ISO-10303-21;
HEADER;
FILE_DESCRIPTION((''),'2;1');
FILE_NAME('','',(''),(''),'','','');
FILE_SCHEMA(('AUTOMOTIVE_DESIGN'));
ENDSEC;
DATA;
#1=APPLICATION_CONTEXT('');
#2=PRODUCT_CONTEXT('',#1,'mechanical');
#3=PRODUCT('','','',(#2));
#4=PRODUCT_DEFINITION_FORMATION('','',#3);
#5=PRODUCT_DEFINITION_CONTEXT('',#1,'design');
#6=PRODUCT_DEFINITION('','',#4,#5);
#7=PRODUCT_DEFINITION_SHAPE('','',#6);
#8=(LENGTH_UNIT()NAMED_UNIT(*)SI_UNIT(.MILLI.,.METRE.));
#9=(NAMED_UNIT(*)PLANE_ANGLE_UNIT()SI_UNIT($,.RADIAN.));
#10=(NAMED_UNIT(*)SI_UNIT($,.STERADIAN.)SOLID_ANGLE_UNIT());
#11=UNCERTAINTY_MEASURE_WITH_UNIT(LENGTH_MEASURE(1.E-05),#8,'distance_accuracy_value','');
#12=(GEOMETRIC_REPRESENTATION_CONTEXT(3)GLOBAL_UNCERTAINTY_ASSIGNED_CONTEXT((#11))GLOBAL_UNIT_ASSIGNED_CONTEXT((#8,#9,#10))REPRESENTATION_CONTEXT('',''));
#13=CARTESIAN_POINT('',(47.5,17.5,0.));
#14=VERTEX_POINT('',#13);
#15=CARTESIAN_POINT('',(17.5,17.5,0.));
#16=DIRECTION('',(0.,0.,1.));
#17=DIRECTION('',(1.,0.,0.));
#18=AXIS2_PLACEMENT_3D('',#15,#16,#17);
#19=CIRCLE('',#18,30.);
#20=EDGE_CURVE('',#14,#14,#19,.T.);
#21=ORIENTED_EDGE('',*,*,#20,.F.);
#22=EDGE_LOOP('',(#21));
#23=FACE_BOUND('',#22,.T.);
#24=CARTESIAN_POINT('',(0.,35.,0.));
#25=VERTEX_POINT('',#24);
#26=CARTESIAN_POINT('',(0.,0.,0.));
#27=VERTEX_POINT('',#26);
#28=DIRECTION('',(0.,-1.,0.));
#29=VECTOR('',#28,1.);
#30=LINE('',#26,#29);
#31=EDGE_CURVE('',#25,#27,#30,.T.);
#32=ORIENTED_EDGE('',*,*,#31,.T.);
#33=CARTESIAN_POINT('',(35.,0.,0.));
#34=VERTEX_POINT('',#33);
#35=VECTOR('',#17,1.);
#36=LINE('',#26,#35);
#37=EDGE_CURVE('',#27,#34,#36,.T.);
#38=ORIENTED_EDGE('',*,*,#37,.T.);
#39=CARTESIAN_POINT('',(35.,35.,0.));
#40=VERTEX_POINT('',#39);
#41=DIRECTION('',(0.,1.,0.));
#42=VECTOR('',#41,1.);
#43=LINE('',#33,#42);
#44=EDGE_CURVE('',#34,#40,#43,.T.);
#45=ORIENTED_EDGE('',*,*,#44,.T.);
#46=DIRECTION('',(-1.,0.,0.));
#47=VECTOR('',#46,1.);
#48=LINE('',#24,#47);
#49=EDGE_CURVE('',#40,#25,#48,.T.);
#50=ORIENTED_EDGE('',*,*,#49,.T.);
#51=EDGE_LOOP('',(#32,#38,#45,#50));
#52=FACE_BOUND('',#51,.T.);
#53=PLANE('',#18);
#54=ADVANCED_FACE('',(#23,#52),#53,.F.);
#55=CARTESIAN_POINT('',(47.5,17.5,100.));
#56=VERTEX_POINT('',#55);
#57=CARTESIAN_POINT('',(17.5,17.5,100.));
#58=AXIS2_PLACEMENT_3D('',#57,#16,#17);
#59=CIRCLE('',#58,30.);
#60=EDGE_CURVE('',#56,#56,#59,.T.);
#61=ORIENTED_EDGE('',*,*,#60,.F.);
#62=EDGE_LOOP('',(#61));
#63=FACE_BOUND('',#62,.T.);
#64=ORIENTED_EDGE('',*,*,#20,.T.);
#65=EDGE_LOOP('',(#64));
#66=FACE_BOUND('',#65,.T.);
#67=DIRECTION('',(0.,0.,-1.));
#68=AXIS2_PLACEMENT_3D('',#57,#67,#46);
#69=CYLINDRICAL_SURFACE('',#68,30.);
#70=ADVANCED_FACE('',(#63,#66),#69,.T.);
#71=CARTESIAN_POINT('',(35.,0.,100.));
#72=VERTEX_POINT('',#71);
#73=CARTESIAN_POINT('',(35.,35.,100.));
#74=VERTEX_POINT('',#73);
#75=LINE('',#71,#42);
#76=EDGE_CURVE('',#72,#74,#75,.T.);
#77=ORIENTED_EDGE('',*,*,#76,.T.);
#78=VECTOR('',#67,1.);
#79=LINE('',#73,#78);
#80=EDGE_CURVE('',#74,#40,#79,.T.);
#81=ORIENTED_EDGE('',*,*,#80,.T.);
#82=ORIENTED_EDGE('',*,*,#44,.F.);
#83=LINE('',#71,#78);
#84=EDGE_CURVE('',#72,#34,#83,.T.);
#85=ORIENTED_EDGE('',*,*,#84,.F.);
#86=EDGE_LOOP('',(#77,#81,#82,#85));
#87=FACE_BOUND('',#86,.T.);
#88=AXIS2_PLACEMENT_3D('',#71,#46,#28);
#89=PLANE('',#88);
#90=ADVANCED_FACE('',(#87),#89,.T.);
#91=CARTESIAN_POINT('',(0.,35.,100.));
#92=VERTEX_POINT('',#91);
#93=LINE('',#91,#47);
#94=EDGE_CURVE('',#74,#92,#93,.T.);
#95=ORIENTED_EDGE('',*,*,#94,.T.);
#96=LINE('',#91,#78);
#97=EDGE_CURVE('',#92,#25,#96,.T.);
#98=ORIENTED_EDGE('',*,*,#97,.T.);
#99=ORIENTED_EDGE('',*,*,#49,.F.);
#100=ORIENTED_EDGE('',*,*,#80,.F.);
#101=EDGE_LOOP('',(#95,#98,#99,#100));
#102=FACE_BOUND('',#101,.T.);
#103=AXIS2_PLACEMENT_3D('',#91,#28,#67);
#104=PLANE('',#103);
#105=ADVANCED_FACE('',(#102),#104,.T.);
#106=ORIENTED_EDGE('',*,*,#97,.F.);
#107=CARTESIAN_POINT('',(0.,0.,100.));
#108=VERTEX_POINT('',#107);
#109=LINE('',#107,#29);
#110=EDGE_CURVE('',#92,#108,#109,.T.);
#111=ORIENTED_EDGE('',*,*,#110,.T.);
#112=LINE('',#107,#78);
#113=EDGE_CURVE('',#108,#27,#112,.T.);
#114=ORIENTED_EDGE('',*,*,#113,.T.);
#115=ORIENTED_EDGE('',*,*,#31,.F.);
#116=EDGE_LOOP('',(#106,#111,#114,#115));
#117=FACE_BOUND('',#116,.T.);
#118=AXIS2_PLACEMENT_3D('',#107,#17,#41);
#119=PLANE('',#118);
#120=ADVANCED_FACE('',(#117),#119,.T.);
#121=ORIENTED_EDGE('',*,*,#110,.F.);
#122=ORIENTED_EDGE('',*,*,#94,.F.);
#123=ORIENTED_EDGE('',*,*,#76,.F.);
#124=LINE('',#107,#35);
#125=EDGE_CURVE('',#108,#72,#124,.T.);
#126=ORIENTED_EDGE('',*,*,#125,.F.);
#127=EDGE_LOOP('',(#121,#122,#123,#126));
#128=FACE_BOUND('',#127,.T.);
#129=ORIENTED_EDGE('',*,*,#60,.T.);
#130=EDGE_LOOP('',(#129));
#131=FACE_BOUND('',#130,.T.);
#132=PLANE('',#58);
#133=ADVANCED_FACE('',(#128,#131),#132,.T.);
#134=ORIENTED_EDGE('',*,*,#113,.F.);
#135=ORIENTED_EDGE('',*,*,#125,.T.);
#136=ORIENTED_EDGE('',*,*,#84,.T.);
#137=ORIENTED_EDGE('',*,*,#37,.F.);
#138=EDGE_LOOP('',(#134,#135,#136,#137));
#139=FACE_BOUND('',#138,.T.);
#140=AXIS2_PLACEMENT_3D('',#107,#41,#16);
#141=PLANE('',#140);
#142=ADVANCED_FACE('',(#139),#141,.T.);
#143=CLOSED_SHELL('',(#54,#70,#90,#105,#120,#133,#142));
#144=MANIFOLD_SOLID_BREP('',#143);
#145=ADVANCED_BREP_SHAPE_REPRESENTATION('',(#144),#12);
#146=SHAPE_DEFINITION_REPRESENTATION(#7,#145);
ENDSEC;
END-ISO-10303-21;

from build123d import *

# Parameters (mm, degrees)
SKETCH_1_R      = 30
SKETCH_1_W      = 35
SKETCH_1_H      = 35
EXTRUDE_1_DEPTH = 100


with BuildPart() as part:
    # 草图1 → 凸台-拉伸1 (new body)
    with BuildSketch(Plane.XY):
        with Locations((17.5, 17.5)):
            Circle(SKETCH_1_R)
        with Locations((17.5, 17.5)):
            Rectangle(SKETCH_1_W, SKETCH_1_H, mode=Mode.SUBTRACT)
    extrude(amount=EXTRUDE_1_DEPTH)


solid = part.part
